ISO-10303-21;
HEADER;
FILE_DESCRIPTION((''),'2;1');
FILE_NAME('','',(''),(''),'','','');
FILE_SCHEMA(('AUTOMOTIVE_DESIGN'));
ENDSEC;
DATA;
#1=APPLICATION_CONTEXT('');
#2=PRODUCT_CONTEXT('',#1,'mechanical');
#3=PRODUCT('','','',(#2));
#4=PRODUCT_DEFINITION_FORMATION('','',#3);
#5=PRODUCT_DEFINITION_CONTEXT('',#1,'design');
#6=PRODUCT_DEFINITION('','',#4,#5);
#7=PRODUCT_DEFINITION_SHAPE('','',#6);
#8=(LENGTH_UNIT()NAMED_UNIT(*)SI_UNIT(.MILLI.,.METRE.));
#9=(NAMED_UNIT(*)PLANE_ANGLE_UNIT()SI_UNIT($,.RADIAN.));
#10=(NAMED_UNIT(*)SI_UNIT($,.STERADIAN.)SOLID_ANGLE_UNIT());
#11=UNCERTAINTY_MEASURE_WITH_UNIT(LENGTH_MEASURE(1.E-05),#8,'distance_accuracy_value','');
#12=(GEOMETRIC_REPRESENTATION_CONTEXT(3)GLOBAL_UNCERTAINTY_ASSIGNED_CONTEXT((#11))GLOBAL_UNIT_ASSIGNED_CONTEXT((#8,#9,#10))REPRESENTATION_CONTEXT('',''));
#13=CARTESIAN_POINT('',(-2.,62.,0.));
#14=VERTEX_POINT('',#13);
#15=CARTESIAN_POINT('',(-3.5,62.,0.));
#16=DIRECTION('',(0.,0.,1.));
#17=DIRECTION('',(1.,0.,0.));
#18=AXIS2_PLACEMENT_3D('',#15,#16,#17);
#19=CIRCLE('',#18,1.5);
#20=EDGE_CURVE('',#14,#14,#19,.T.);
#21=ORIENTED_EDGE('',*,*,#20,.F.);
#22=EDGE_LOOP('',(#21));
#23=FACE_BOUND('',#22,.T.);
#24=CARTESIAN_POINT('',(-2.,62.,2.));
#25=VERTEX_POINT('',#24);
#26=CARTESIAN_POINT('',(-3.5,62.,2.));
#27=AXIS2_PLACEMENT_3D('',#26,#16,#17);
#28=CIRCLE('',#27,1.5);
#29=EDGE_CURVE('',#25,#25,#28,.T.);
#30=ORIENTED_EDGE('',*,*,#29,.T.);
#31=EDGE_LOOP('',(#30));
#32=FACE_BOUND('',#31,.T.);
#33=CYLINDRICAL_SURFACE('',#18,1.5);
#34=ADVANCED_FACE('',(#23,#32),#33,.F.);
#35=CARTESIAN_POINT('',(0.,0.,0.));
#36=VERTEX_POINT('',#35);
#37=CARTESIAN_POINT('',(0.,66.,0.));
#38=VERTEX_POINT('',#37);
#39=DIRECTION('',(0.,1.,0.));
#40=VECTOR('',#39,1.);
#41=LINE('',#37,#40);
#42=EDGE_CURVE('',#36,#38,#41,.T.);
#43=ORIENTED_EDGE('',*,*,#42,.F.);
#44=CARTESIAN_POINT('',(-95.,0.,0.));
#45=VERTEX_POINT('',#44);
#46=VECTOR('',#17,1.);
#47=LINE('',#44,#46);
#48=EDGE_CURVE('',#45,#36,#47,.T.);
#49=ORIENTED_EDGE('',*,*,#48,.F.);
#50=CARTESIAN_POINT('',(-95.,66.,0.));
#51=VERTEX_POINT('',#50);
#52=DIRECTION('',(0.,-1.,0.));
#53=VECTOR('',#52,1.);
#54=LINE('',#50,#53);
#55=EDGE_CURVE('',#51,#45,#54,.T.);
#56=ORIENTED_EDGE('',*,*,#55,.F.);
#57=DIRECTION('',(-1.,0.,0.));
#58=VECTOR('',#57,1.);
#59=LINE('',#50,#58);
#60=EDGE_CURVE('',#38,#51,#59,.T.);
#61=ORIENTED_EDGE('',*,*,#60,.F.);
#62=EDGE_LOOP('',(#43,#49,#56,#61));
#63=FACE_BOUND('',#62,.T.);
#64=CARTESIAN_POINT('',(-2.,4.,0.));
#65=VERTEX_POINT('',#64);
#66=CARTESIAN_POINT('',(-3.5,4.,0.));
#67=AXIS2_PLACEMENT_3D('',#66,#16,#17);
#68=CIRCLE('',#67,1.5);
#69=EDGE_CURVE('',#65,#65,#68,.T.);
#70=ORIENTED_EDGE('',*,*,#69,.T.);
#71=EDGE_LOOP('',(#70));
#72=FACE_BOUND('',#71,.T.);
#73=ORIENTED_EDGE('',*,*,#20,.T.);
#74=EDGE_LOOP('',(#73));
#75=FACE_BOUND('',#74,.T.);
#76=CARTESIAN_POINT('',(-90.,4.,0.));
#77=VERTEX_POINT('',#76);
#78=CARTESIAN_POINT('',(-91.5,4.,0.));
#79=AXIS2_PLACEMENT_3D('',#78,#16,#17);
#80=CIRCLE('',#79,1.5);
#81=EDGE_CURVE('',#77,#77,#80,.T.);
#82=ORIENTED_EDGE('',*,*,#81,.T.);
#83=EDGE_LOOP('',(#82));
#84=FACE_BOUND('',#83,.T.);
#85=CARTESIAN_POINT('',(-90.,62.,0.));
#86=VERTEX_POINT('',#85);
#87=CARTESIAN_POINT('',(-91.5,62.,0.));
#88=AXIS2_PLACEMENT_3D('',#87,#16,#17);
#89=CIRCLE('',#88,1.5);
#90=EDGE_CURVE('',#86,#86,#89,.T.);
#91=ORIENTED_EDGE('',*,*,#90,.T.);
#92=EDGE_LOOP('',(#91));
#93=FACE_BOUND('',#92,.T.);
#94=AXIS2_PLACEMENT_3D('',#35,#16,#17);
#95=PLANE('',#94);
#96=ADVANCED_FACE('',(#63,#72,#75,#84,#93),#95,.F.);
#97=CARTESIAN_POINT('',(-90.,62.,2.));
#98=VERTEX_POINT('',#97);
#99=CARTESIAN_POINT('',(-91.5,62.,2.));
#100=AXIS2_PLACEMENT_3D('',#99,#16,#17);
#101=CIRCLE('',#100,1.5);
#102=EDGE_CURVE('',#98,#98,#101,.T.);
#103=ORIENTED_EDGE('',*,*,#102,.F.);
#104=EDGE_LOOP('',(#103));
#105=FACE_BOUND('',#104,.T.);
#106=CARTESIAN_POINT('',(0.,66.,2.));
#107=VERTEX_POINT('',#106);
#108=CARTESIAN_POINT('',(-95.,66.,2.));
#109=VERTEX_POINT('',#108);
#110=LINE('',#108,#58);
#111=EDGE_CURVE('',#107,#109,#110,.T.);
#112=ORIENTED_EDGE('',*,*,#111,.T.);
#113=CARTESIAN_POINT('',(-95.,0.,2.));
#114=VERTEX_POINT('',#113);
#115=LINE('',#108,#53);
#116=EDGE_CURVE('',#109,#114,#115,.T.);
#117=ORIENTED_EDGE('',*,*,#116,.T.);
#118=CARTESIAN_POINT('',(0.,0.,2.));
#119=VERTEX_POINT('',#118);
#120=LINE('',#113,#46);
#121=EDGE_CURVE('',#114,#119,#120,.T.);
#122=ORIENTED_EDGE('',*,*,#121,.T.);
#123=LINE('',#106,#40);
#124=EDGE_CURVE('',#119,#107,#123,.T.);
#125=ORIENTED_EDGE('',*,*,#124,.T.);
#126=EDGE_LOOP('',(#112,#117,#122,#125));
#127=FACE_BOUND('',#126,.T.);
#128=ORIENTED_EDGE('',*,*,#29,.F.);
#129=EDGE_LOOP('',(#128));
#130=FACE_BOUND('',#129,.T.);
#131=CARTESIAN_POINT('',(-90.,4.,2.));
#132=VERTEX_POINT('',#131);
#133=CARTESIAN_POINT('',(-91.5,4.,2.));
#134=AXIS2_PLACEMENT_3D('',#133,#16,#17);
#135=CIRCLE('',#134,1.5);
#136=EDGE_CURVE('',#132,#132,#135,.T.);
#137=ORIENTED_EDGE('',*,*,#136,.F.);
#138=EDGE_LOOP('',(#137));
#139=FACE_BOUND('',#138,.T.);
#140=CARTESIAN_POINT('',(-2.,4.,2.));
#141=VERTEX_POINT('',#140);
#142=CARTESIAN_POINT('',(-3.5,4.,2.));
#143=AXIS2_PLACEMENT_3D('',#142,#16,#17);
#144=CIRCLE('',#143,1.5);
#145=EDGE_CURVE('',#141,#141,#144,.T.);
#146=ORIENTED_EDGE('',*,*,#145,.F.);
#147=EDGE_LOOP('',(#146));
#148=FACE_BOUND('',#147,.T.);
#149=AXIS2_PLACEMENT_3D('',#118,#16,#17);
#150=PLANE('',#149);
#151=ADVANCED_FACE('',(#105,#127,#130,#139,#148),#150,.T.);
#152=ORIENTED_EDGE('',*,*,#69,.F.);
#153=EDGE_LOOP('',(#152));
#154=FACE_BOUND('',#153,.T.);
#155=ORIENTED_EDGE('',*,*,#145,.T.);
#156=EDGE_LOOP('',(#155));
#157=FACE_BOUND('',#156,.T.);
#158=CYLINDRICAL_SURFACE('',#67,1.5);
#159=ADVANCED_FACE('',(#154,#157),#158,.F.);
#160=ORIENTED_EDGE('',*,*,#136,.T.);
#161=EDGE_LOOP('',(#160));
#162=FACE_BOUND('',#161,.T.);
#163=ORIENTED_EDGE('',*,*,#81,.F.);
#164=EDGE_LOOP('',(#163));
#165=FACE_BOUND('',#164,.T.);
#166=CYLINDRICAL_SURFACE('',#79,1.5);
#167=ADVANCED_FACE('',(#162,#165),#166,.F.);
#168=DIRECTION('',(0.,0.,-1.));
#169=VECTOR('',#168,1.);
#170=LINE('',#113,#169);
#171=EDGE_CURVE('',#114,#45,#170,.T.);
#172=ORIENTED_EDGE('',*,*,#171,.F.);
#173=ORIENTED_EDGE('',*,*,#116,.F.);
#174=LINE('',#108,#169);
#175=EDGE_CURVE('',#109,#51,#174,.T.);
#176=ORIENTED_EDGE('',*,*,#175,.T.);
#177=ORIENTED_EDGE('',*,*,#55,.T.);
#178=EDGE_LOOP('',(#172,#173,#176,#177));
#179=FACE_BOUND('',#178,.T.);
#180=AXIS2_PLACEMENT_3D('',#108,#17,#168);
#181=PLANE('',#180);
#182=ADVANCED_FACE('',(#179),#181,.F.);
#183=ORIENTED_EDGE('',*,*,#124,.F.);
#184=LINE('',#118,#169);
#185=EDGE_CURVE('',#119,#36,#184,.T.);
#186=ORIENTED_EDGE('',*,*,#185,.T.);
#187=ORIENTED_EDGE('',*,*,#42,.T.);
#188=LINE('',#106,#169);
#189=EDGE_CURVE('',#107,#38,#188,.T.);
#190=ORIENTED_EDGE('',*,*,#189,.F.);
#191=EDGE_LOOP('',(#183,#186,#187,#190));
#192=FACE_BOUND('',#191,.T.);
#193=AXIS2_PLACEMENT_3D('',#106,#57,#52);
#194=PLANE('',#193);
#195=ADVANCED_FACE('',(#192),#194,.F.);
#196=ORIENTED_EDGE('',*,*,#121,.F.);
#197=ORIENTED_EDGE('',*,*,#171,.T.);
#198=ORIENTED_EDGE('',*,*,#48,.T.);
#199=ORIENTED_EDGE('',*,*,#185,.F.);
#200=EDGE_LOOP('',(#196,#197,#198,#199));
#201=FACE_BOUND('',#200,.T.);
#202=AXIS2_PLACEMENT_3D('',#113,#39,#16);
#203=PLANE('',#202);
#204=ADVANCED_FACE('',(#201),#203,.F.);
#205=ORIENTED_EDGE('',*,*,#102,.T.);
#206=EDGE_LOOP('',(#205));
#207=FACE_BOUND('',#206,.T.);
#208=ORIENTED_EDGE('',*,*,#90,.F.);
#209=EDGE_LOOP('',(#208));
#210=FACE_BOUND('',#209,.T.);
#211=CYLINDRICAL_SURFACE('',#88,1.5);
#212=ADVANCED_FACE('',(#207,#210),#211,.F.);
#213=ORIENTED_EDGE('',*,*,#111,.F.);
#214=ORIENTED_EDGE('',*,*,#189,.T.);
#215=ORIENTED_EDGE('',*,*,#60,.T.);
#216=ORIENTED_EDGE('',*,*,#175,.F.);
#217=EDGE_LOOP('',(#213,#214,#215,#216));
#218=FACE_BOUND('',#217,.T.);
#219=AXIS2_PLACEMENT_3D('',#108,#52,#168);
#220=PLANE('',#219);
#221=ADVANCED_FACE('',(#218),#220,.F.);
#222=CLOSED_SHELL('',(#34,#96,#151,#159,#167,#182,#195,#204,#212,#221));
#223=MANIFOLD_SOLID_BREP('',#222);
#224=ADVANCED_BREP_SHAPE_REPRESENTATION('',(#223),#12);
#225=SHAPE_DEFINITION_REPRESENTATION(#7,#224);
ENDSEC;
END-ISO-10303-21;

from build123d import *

# Parameters (mm, degrees)
SKETCH1_W           = 95
SKETCH1_H           = 66
BOSS_EXTRUDE1_DEPTH = 2
SKETCH2_R           = 1.5
CUT_EXTRUDE1_DEPTH  = 2


with BuildPart() as part:
    # Sketch1 → Boss-Extrude1 (new body)
    with BuildSketch(Plane.XY):
        with Locations((-47.5, 33)):
            Rectangle(SKETCH1_W, SKETCH1_H)
    extrude(amount=BOSS_EXTRUDE1_DEPTH)

    # Sketch2 → Cut-Extrude1 (cut)
    with BuildSketch(Plane.XY.offset(2)):
        with Locations((-91.5, 62)):
            Circle(SKETCH2_R)
        with Locations((-3.5, 62)):
            Circle(SKETCH2_R)
        with Locations((-3.5, 4)):
            Circle(SKETCH2_R)
        with Locations((-91.5, 4)):
            Circle(SKETCH2_R)
    extrude(amount=-CUT_EXTRUDE1_DEPTH, mode=Mode.SUBTRACT)


solid = part.part
